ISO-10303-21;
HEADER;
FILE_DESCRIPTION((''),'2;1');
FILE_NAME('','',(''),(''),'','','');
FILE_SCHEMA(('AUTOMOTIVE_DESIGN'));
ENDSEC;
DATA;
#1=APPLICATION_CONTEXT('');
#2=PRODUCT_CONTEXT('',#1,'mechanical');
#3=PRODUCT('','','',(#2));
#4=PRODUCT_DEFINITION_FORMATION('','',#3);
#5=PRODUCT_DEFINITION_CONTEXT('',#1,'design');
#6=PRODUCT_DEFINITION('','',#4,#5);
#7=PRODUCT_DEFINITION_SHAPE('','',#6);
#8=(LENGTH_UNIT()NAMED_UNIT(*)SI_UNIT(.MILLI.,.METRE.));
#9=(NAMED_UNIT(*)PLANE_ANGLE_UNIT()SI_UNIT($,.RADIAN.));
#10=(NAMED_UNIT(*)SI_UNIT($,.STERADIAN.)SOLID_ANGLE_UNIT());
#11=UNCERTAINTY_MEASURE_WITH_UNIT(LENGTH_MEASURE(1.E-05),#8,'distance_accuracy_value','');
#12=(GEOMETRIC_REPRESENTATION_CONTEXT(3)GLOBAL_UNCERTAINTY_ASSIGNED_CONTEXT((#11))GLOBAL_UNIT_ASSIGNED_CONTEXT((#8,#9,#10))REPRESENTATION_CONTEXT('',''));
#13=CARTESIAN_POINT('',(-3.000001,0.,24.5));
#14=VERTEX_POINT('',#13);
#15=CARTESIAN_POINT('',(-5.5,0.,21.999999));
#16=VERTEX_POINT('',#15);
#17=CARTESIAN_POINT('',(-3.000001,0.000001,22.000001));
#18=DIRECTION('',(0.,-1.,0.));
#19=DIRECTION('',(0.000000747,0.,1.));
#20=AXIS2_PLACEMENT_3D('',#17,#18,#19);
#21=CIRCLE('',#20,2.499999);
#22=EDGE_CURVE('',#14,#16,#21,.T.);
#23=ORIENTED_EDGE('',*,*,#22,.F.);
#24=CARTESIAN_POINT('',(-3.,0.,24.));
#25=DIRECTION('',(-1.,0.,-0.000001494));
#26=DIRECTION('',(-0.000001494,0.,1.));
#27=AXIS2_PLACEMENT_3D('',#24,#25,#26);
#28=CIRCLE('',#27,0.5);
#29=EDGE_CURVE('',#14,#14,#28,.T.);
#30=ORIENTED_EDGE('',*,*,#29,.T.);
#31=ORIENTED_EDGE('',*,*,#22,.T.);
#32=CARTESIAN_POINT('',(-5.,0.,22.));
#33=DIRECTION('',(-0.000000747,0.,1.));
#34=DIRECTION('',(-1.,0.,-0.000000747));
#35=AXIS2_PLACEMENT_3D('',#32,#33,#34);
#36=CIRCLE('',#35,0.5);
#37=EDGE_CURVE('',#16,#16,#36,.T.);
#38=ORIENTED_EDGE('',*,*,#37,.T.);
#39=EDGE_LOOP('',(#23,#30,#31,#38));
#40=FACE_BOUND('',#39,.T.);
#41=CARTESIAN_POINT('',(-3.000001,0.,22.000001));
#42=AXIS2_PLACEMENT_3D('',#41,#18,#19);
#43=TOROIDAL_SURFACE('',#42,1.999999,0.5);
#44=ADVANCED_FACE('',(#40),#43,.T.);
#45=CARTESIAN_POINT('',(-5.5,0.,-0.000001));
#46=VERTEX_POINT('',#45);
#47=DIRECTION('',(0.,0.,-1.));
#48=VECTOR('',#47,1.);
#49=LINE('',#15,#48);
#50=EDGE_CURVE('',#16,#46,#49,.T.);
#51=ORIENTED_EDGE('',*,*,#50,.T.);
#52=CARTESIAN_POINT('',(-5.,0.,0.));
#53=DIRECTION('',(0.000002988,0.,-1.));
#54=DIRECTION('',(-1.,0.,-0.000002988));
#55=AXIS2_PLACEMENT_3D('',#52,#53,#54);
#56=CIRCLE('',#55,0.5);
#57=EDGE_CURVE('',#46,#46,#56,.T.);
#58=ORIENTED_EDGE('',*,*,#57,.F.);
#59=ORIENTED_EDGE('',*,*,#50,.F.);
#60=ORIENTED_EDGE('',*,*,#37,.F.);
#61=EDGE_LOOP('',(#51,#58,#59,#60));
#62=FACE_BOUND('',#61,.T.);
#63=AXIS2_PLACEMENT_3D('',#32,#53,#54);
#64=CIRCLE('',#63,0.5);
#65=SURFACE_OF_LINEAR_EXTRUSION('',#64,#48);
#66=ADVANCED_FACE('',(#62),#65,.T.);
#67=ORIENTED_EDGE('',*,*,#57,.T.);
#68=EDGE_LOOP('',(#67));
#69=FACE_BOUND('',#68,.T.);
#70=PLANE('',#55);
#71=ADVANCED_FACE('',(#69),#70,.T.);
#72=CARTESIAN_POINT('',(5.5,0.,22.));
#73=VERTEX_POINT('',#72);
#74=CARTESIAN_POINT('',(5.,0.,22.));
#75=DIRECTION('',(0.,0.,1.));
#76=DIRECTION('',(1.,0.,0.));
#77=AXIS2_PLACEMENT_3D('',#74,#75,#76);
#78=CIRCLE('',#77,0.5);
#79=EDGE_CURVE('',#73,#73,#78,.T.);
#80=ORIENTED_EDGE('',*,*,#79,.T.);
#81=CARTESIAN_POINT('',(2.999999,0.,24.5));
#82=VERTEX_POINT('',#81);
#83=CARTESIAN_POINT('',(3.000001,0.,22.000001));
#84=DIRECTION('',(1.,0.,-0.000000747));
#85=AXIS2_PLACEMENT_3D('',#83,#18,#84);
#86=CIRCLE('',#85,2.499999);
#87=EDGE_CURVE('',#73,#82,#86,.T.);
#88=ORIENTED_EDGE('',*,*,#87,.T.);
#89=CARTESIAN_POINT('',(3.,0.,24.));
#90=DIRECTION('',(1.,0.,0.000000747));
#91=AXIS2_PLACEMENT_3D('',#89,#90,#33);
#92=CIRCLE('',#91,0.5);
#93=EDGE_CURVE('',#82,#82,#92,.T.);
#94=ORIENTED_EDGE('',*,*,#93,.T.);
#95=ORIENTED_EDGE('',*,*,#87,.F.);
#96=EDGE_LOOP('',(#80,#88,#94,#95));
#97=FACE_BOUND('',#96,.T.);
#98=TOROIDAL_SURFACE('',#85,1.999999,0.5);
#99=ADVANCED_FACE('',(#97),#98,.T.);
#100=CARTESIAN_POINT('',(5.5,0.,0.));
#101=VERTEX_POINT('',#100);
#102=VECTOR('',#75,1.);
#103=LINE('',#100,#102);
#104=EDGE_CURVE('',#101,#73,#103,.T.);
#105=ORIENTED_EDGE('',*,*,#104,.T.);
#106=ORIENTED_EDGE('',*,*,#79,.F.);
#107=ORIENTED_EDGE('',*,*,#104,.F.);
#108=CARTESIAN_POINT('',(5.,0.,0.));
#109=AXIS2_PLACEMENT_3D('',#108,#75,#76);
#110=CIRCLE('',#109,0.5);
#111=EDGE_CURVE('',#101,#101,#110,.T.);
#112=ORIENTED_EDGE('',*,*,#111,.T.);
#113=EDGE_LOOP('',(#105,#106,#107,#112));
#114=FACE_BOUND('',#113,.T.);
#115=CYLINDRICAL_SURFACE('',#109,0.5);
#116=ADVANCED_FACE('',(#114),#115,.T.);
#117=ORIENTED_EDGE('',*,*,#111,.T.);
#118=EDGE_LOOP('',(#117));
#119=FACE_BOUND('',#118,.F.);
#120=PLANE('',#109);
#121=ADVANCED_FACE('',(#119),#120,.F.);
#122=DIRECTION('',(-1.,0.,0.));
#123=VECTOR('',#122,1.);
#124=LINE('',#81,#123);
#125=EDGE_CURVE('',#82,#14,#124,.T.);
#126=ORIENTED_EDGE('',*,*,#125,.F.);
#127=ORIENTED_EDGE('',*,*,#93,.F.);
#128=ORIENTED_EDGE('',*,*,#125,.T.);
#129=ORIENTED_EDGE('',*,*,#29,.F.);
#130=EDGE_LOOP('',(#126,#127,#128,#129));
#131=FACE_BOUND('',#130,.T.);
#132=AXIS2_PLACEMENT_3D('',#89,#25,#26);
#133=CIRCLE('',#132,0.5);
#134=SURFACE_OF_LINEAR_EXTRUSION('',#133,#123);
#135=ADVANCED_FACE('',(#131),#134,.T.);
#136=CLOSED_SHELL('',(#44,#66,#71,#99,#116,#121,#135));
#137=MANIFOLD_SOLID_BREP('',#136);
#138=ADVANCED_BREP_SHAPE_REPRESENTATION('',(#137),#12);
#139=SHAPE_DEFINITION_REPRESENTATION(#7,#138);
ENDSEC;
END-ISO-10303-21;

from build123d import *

# Parameters (mm, degrees)
F1_R = 0.5


with BuildPart() as f2:
    # F2: sweep along a path in F0
    with BuildLine(Plane.XZ) as f2_path:
        Line((5, 0), (5, 22))
        ThreePointArc((5, 22), (4.414214, 23.414214), (3, 24))
        Line((3, 24), (-3, 24))
        ThreePointArc((-3, 24), (-4.414214, 23.414214), (-5, 22))
        Line((-5, 22), (-5, 0))
    # F1 (on Top) → F2 (sweep)
    with BuildSketch(Plane.XY):
        with Locations((5, 0)):
            Circle(F1_R)
    sweep(path=f2_path.line)


solid = f2.part
